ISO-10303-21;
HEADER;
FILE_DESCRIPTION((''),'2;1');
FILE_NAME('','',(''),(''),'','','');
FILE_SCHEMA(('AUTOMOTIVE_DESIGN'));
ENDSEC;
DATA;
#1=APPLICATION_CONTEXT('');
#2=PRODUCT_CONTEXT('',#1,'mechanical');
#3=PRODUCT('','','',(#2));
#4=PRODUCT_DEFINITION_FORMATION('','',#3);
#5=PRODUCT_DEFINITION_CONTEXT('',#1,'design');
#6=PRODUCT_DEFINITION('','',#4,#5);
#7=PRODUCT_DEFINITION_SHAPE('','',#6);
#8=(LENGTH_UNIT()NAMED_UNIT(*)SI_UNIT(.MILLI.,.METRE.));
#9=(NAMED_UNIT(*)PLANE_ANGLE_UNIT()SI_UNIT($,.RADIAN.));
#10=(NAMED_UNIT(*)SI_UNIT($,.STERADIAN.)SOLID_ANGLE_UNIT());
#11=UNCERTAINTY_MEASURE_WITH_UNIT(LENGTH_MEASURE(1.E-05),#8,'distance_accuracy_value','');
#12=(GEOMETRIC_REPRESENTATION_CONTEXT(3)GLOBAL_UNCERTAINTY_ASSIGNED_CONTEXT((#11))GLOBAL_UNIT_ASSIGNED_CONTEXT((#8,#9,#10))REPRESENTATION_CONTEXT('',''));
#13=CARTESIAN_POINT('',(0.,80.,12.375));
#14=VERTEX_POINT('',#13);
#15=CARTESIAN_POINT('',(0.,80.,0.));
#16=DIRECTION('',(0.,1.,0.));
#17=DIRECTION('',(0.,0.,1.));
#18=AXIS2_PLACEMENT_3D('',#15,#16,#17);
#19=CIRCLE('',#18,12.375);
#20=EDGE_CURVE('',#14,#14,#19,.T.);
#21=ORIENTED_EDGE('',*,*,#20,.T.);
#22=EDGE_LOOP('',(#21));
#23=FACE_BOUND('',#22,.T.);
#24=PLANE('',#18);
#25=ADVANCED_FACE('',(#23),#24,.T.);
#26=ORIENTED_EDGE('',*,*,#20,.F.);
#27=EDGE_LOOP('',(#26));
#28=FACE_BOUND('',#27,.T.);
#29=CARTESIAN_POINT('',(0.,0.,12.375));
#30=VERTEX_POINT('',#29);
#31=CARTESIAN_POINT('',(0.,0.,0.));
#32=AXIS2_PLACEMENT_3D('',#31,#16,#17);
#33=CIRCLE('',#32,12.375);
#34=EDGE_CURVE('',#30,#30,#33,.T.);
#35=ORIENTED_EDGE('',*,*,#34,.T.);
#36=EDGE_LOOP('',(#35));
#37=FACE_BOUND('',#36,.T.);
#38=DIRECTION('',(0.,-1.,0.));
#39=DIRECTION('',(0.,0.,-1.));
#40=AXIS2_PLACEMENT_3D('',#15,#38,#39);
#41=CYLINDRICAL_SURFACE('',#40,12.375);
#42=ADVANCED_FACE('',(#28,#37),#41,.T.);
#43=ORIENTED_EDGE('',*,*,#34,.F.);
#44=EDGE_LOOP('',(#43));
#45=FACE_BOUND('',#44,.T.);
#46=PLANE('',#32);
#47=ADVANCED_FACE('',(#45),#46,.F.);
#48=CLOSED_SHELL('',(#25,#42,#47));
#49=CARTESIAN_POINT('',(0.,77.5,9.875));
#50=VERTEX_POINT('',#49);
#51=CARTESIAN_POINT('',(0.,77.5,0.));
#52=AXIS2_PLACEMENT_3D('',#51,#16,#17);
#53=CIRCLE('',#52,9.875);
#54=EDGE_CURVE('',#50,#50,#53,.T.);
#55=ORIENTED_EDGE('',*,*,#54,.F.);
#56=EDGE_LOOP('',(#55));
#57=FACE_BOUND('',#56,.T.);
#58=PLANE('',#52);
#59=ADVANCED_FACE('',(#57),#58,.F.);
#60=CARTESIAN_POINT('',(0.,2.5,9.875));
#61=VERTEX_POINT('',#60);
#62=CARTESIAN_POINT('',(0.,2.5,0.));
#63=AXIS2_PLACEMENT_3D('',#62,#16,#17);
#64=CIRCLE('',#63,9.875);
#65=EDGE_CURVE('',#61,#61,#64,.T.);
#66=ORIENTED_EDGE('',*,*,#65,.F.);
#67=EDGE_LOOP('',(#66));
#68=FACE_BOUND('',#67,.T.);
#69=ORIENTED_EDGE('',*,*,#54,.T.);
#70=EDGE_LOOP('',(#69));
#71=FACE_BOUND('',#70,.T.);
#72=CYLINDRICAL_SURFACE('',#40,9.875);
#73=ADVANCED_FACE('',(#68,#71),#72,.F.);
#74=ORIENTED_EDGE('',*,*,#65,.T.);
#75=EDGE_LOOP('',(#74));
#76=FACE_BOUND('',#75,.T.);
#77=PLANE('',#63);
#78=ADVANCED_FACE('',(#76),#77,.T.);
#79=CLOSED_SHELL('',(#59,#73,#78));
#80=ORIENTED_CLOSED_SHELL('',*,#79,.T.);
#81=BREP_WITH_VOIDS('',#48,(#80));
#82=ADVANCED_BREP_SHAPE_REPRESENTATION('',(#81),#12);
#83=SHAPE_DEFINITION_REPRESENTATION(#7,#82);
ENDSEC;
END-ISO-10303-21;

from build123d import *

# Parameters (mm, degrees)
ESBO_O2_R                = 12.375
RESSALTO_EXTRUS_O1_DEPTH = 80
CASCA2_T                 = 2.5


with BuildPart() as part:
    # Esboço2 → Ressalto-extrusão1 (new body)
    with BuildSketch(Plane(origin=(0, 0, 0), x_dir=(1, 0, 0), z_dir=(0, 1, 0))):
        with Locations(Location((0, 0, 0), (0, 0, 270))):
            Circle(ESBO_O2_R)
    extrude(amount=RESSALTO_EXTRUS_O1_DEPTH)

    # Casca2 (no face opened: a closed hollow body)
    add(offset(amount=-CASCA2_T, mode=Mode.PRIVATE), mode=Mode.SUBTRACT)


solid = part.part
